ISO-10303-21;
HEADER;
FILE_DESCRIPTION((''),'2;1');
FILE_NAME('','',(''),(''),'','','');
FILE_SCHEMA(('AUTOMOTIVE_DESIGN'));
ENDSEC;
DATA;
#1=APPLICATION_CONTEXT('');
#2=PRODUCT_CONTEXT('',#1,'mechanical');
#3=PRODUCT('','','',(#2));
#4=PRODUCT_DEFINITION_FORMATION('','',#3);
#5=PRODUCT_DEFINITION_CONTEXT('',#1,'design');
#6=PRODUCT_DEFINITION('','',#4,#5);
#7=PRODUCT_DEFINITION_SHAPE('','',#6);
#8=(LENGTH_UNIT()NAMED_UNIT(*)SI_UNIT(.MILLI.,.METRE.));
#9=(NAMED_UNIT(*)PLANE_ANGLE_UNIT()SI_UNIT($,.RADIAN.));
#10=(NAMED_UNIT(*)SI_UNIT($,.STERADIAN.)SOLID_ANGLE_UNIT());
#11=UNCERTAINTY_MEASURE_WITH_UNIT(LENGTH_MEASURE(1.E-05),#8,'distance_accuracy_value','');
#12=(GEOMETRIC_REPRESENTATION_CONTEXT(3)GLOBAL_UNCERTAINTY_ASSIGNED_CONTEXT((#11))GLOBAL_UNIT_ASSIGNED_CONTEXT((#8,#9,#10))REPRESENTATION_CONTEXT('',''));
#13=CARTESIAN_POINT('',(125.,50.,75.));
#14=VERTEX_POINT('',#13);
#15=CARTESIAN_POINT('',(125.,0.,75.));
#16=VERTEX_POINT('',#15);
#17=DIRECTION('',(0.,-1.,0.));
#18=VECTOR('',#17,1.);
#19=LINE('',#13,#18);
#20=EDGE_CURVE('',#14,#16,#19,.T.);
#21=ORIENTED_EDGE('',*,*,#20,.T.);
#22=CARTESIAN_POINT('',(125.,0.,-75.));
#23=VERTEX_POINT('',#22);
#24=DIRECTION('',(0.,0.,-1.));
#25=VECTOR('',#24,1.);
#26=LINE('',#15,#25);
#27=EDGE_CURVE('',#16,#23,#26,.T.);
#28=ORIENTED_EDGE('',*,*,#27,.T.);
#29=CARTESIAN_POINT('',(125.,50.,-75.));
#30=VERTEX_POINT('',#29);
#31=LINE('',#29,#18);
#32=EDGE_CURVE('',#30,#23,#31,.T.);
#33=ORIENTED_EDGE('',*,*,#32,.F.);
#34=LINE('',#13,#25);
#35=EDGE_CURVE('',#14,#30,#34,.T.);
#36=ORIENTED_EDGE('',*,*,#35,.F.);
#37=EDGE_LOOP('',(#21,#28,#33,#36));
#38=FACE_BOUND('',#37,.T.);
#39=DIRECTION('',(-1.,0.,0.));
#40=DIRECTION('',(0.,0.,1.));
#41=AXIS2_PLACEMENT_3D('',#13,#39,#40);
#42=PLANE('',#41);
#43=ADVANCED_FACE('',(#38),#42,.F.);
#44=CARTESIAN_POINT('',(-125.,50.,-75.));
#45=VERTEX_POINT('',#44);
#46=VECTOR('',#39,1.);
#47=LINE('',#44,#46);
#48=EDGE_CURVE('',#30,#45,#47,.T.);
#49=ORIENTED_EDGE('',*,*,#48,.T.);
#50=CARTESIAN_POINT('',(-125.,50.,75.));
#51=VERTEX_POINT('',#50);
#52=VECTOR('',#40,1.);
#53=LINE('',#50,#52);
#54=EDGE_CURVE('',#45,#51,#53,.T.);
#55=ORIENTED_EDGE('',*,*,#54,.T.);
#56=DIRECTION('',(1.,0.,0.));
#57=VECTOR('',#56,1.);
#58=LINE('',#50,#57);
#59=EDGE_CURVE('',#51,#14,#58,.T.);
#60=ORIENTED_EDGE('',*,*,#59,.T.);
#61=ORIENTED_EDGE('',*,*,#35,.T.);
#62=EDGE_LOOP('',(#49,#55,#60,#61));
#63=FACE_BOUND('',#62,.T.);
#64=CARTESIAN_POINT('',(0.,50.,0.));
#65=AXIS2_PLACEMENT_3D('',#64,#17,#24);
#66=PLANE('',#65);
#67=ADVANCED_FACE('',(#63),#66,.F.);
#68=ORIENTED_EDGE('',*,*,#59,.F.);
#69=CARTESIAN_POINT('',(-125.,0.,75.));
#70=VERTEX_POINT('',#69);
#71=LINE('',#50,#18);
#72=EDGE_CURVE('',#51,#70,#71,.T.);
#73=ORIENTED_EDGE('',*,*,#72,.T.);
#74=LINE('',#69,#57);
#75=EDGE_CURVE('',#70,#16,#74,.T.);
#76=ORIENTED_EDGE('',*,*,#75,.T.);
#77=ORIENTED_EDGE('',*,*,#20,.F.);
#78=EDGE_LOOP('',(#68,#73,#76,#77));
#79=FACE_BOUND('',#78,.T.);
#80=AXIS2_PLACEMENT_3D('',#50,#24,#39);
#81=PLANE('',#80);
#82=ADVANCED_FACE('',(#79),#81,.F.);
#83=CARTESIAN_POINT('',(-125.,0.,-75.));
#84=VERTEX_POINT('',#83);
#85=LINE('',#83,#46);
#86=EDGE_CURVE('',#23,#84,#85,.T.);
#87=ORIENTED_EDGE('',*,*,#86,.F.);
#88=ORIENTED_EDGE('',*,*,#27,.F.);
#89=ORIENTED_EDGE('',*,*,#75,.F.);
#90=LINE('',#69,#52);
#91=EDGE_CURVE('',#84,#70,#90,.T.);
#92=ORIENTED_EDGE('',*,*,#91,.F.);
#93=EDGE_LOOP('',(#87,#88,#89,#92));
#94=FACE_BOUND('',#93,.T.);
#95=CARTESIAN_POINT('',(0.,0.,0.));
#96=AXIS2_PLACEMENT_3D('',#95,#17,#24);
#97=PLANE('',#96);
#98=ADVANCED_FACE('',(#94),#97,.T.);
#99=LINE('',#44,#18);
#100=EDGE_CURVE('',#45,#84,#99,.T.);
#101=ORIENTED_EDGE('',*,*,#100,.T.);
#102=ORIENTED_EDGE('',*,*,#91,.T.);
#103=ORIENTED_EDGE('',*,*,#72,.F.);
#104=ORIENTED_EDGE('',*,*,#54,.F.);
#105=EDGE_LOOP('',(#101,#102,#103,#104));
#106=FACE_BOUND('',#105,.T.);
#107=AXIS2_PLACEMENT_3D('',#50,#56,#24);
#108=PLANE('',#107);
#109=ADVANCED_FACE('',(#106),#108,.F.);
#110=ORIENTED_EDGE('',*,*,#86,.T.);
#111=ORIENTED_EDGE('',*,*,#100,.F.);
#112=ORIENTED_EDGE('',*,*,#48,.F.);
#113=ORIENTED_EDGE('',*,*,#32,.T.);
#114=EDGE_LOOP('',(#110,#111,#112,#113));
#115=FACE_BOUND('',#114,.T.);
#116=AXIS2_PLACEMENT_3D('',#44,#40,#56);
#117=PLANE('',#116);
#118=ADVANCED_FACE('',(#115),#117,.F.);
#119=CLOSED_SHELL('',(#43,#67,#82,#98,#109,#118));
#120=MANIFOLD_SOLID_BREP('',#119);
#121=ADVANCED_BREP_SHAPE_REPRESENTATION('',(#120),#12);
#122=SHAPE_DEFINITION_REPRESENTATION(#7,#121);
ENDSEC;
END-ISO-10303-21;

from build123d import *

# Parameters (mm, degrees)
SKETCH_1_W      = 250
SKETCH_1_H      = 150
EXTRUDE_1_DEPTH = 50


with BuildPart() as part:
    # 草图1 → 凸台-拉伸1 (new body)
    with BuildSketch(Plane(origin=(0, 0, 0), x_dir=(1, 0, 0), z_dir=(0, 1, 0))):
        Rectangle(SKETCH_1_W, SKETCH_1_H)
    extrude(amount=EXTRUDE_1_DEPTH)


solid = part.part
